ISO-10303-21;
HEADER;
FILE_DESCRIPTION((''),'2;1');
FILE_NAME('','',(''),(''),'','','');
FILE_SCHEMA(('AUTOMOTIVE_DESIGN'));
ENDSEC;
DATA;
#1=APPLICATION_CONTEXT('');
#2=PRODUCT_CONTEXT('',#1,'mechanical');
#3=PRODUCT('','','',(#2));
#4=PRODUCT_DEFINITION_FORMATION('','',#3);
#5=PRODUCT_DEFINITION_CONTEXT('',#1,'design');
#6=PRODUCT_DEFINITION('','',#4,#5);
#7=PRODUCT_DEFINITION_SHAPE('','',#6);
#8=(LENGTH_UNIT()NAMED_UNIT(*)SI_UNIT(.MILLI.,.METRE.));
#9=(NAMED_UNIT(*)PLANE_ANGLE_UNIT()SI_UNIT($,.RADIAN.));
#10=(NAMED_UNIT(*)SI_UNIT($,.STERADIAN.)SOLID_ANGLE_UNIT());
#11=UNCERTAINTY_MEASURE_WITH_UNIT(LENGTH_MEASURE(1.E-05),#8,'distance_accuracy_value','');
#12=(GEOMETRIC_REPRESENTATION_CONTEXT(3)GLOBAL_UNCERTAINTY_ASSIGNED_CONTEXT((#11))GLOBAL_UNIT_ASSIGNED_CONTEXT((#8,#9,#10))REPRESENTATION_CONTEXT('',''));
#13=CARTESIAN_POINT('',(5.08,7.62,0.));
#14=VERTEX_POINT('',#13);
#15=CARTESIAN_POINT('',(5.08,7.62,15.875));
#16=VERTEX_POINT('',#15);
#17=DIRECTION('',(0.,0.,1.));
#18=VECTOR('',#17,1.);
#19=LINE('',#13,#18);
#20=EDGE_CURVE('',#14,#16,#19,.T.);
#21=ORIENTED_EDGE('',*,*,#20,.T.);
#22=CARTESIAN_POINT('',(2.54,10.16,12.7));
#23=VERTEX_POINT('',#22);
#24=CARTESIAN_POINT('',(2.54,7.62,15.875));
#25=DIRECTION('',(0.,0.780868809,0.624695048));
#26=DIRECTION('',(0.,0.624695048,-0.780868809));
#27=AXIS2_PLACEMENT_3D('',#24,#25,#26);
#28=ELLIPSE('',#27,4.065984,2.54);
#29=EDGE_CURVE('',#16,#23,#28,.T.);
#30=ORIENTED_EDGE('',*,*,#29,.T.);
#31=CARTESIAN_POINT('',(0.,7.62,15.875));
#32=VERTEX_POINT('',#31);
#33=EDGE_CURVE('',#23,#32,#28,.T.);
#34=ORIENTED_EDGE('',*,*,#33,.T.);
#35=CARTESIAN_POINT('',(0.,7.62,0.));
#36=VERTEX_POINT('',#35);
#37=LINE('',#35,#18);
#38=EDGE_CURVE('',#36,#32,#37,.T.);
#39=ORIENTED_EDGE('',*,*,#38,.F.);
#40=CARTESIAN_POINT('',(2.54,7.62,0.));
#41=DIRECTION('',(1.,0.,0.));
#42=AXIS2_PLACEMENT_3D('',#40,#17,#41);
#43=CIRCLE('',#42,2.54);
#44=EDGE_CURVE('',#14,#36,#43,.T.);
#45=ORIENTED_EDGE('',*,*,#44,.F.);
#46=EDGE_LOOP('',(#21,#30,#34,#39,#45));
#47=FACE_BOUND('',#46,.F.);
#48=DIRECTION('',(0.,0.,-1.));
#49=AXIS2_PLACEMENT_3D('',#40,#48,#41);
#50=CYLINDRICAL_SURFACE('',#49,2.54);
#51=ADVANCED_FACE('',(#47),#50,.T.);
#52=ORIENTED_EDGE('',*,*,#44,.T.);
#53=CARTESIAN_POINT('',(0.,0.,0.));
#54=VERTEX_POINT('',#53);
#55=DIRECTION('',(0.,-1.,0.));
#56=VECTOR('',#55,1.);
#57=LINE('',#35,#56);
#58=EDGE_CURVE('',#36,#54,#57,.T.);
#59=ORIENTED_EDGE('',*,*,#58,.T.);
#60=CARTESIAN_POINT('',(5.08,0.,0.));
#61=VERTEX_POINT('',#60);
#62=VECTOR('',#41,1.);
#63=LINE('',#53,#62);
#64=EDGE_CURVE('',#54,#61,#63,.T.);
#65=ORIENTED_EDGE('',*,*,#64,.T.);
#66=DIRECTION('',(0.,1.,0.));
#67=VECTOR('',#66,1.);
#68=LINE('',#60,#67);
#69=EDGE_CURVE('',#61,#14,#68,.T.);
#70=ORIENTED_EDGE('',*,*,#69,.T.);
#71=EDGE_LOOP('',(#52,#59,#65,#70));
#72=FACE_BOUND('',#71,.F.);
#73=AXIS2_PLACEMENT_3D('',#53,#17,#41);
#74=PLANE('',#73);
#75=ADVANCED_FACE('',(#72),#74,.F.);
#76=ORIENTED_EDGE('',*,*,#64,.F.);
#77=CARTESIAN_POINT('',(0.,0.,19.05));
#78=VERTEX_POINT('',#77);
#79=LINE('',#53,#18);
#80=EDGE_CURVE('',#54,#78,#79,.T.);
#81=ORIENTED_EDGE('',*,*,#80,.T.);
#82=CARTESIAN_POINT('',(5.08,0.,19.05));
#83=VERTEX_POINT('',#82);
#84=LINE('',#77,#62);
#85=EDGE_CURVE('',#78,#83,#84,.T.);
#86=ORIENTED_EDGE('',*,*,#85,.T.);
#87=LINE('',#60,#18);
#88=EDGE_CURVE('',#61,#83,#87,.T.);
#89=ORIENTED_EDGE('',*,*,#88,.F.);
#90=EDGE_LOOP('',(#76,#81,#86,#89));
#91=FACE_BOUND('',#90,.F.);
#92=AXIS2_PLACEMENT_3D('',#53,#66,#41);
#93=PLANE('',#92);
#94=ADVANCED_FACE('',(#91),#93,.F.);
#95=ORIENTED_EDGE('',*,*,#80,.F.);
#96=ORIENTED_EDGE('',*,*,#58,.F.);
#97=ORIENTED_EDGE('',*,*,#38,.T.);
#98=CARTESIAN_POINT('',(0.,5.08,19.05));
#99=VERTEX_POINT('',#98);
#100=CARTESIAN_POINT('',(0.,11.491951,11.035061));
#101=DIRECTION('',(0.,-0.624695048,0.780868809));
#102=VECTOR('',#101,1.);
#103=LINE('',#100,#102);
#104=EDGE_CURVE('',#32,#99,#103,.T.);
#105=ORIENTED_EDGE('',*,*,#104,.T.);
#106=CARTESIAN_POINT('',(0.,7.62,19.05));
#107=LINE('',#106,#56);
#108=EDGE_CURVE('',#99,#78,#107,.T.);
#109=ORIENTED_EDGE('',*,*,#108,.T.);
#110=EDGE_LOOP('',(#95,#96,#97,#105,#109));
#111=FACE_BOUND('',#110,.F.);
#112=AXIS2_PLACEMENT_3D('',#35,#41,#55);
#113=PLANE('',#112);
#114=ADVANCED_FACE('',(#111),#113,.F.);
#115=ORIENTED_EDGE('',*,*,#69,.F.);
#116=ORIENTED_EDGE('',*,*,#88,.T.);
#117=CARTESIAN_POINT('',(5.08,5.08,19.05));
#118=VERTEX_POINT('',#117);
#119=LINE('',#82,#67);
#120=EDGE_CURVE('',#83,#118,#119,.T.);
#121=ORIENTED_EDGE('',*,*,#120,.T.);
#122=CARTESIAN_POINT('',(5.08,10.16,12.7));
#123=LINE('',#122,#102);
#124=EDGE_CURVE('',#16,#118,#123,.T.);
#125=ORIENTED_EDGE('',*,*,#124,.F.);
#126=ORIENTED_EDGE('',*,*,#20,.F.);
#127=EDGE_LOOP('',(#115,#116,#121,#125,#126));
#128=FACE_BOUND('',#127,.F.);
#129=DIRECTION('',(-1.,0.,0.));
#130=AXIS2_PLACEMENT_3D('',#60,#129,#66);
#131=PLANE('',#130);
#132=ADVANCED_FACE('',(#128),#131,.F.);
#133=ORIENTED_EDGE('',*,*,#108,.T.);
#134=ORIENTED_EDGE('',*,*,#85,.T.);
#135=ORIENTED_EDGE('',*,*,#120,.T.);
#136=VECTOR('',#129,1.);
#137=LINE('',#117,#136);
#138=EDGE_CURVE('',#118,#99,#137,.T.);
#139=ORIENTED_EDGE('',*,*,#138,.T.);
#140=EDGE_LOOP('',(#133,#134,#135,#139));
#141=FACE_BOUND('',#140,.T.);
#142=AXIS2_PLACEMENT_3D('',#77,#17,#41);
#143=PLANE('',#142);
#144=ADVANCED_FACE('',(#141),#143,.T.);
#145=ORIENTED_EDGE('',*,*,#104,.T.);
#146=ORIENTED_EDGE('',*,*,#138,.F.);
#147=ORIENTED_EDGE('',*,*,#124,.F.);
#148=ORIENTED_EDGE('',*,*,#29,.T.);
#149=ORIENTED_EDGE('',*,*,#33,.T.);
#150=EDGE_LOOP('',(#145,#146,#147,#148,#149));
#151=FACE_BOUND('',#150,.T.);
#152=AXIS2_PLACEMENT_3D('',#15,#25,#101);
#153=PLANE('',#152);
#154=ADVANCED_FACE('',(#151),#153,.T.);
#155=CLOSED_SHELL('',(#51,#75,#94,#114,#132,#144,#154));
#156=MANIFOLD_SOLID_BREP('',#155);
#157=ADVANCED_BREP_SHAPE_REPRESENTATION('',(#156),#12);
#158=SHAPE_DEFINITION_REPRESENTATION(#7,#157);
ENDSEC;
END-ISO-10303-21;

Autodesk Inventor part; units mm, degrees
ref_plane "YZ Plane" through (0, 0, 0) normal (1, 0, 0) x (0, 1, 0)
ref_plane "XZ Plane" through (0, 0, 0) normal (0, 1, 0) x (-1, 0, 0)
ref_plane "XY Plane" through (0, 0, 0) normal (0, 0, 1) x (1, 0, 0)
sketch "Sketch1" plane through (0, 0, 0) normal (0, 0, 1) x (1, 0, 0)
  line L0 (0, 0) -> (5.08, 0)
  line L1 (5.08, 0) -> (5.08, 7.62)
  line L2 (0, 7.62) -> (0, 0)
  arc A0 (5.08, 7.62) -> (0, 7.62) centre (2.54, 7.62) ccw
  dimension "d0" = 5.08
  dimension "d1" = 7.62
extrude "Extrusion1" add sketch "Sketch1" along normal blind 19.05
sketch "Sketch2" plane through (5.08, 0, 0) normal (1, 0, 0) x (0, 0, -1)
  line L0 (-19.05, 7.62) -> (-19.05, 0) projected
  line L1 (0, 0) -> (0, 7.62) projected
  line L2 (0, 7.62) -> (-19.05, 7.62) projected
  line L3 (0, 7.62) -> (0, 10.16)
  line L4 (0, 10.16) -> (-12.7, 10.16)
  line L5 (-12.7, 10.16) -> (-19.05, 5.08)
  line L6 (-19.05, 5.08) -> (-19.05, 10.16)
  line L7 (-19.05, 10.16) -> (-12.7, 10.16)
  dimension "d4" = 12.7
  dimension "d5" = 5.08
  dimension "d6" = 2.54
extrude "Extrusion2" cut sketch "Sketch2" against normal through all contours L2 L5 L0 | L6 L7 L5 L2
properties part number "tensioning wedge"
